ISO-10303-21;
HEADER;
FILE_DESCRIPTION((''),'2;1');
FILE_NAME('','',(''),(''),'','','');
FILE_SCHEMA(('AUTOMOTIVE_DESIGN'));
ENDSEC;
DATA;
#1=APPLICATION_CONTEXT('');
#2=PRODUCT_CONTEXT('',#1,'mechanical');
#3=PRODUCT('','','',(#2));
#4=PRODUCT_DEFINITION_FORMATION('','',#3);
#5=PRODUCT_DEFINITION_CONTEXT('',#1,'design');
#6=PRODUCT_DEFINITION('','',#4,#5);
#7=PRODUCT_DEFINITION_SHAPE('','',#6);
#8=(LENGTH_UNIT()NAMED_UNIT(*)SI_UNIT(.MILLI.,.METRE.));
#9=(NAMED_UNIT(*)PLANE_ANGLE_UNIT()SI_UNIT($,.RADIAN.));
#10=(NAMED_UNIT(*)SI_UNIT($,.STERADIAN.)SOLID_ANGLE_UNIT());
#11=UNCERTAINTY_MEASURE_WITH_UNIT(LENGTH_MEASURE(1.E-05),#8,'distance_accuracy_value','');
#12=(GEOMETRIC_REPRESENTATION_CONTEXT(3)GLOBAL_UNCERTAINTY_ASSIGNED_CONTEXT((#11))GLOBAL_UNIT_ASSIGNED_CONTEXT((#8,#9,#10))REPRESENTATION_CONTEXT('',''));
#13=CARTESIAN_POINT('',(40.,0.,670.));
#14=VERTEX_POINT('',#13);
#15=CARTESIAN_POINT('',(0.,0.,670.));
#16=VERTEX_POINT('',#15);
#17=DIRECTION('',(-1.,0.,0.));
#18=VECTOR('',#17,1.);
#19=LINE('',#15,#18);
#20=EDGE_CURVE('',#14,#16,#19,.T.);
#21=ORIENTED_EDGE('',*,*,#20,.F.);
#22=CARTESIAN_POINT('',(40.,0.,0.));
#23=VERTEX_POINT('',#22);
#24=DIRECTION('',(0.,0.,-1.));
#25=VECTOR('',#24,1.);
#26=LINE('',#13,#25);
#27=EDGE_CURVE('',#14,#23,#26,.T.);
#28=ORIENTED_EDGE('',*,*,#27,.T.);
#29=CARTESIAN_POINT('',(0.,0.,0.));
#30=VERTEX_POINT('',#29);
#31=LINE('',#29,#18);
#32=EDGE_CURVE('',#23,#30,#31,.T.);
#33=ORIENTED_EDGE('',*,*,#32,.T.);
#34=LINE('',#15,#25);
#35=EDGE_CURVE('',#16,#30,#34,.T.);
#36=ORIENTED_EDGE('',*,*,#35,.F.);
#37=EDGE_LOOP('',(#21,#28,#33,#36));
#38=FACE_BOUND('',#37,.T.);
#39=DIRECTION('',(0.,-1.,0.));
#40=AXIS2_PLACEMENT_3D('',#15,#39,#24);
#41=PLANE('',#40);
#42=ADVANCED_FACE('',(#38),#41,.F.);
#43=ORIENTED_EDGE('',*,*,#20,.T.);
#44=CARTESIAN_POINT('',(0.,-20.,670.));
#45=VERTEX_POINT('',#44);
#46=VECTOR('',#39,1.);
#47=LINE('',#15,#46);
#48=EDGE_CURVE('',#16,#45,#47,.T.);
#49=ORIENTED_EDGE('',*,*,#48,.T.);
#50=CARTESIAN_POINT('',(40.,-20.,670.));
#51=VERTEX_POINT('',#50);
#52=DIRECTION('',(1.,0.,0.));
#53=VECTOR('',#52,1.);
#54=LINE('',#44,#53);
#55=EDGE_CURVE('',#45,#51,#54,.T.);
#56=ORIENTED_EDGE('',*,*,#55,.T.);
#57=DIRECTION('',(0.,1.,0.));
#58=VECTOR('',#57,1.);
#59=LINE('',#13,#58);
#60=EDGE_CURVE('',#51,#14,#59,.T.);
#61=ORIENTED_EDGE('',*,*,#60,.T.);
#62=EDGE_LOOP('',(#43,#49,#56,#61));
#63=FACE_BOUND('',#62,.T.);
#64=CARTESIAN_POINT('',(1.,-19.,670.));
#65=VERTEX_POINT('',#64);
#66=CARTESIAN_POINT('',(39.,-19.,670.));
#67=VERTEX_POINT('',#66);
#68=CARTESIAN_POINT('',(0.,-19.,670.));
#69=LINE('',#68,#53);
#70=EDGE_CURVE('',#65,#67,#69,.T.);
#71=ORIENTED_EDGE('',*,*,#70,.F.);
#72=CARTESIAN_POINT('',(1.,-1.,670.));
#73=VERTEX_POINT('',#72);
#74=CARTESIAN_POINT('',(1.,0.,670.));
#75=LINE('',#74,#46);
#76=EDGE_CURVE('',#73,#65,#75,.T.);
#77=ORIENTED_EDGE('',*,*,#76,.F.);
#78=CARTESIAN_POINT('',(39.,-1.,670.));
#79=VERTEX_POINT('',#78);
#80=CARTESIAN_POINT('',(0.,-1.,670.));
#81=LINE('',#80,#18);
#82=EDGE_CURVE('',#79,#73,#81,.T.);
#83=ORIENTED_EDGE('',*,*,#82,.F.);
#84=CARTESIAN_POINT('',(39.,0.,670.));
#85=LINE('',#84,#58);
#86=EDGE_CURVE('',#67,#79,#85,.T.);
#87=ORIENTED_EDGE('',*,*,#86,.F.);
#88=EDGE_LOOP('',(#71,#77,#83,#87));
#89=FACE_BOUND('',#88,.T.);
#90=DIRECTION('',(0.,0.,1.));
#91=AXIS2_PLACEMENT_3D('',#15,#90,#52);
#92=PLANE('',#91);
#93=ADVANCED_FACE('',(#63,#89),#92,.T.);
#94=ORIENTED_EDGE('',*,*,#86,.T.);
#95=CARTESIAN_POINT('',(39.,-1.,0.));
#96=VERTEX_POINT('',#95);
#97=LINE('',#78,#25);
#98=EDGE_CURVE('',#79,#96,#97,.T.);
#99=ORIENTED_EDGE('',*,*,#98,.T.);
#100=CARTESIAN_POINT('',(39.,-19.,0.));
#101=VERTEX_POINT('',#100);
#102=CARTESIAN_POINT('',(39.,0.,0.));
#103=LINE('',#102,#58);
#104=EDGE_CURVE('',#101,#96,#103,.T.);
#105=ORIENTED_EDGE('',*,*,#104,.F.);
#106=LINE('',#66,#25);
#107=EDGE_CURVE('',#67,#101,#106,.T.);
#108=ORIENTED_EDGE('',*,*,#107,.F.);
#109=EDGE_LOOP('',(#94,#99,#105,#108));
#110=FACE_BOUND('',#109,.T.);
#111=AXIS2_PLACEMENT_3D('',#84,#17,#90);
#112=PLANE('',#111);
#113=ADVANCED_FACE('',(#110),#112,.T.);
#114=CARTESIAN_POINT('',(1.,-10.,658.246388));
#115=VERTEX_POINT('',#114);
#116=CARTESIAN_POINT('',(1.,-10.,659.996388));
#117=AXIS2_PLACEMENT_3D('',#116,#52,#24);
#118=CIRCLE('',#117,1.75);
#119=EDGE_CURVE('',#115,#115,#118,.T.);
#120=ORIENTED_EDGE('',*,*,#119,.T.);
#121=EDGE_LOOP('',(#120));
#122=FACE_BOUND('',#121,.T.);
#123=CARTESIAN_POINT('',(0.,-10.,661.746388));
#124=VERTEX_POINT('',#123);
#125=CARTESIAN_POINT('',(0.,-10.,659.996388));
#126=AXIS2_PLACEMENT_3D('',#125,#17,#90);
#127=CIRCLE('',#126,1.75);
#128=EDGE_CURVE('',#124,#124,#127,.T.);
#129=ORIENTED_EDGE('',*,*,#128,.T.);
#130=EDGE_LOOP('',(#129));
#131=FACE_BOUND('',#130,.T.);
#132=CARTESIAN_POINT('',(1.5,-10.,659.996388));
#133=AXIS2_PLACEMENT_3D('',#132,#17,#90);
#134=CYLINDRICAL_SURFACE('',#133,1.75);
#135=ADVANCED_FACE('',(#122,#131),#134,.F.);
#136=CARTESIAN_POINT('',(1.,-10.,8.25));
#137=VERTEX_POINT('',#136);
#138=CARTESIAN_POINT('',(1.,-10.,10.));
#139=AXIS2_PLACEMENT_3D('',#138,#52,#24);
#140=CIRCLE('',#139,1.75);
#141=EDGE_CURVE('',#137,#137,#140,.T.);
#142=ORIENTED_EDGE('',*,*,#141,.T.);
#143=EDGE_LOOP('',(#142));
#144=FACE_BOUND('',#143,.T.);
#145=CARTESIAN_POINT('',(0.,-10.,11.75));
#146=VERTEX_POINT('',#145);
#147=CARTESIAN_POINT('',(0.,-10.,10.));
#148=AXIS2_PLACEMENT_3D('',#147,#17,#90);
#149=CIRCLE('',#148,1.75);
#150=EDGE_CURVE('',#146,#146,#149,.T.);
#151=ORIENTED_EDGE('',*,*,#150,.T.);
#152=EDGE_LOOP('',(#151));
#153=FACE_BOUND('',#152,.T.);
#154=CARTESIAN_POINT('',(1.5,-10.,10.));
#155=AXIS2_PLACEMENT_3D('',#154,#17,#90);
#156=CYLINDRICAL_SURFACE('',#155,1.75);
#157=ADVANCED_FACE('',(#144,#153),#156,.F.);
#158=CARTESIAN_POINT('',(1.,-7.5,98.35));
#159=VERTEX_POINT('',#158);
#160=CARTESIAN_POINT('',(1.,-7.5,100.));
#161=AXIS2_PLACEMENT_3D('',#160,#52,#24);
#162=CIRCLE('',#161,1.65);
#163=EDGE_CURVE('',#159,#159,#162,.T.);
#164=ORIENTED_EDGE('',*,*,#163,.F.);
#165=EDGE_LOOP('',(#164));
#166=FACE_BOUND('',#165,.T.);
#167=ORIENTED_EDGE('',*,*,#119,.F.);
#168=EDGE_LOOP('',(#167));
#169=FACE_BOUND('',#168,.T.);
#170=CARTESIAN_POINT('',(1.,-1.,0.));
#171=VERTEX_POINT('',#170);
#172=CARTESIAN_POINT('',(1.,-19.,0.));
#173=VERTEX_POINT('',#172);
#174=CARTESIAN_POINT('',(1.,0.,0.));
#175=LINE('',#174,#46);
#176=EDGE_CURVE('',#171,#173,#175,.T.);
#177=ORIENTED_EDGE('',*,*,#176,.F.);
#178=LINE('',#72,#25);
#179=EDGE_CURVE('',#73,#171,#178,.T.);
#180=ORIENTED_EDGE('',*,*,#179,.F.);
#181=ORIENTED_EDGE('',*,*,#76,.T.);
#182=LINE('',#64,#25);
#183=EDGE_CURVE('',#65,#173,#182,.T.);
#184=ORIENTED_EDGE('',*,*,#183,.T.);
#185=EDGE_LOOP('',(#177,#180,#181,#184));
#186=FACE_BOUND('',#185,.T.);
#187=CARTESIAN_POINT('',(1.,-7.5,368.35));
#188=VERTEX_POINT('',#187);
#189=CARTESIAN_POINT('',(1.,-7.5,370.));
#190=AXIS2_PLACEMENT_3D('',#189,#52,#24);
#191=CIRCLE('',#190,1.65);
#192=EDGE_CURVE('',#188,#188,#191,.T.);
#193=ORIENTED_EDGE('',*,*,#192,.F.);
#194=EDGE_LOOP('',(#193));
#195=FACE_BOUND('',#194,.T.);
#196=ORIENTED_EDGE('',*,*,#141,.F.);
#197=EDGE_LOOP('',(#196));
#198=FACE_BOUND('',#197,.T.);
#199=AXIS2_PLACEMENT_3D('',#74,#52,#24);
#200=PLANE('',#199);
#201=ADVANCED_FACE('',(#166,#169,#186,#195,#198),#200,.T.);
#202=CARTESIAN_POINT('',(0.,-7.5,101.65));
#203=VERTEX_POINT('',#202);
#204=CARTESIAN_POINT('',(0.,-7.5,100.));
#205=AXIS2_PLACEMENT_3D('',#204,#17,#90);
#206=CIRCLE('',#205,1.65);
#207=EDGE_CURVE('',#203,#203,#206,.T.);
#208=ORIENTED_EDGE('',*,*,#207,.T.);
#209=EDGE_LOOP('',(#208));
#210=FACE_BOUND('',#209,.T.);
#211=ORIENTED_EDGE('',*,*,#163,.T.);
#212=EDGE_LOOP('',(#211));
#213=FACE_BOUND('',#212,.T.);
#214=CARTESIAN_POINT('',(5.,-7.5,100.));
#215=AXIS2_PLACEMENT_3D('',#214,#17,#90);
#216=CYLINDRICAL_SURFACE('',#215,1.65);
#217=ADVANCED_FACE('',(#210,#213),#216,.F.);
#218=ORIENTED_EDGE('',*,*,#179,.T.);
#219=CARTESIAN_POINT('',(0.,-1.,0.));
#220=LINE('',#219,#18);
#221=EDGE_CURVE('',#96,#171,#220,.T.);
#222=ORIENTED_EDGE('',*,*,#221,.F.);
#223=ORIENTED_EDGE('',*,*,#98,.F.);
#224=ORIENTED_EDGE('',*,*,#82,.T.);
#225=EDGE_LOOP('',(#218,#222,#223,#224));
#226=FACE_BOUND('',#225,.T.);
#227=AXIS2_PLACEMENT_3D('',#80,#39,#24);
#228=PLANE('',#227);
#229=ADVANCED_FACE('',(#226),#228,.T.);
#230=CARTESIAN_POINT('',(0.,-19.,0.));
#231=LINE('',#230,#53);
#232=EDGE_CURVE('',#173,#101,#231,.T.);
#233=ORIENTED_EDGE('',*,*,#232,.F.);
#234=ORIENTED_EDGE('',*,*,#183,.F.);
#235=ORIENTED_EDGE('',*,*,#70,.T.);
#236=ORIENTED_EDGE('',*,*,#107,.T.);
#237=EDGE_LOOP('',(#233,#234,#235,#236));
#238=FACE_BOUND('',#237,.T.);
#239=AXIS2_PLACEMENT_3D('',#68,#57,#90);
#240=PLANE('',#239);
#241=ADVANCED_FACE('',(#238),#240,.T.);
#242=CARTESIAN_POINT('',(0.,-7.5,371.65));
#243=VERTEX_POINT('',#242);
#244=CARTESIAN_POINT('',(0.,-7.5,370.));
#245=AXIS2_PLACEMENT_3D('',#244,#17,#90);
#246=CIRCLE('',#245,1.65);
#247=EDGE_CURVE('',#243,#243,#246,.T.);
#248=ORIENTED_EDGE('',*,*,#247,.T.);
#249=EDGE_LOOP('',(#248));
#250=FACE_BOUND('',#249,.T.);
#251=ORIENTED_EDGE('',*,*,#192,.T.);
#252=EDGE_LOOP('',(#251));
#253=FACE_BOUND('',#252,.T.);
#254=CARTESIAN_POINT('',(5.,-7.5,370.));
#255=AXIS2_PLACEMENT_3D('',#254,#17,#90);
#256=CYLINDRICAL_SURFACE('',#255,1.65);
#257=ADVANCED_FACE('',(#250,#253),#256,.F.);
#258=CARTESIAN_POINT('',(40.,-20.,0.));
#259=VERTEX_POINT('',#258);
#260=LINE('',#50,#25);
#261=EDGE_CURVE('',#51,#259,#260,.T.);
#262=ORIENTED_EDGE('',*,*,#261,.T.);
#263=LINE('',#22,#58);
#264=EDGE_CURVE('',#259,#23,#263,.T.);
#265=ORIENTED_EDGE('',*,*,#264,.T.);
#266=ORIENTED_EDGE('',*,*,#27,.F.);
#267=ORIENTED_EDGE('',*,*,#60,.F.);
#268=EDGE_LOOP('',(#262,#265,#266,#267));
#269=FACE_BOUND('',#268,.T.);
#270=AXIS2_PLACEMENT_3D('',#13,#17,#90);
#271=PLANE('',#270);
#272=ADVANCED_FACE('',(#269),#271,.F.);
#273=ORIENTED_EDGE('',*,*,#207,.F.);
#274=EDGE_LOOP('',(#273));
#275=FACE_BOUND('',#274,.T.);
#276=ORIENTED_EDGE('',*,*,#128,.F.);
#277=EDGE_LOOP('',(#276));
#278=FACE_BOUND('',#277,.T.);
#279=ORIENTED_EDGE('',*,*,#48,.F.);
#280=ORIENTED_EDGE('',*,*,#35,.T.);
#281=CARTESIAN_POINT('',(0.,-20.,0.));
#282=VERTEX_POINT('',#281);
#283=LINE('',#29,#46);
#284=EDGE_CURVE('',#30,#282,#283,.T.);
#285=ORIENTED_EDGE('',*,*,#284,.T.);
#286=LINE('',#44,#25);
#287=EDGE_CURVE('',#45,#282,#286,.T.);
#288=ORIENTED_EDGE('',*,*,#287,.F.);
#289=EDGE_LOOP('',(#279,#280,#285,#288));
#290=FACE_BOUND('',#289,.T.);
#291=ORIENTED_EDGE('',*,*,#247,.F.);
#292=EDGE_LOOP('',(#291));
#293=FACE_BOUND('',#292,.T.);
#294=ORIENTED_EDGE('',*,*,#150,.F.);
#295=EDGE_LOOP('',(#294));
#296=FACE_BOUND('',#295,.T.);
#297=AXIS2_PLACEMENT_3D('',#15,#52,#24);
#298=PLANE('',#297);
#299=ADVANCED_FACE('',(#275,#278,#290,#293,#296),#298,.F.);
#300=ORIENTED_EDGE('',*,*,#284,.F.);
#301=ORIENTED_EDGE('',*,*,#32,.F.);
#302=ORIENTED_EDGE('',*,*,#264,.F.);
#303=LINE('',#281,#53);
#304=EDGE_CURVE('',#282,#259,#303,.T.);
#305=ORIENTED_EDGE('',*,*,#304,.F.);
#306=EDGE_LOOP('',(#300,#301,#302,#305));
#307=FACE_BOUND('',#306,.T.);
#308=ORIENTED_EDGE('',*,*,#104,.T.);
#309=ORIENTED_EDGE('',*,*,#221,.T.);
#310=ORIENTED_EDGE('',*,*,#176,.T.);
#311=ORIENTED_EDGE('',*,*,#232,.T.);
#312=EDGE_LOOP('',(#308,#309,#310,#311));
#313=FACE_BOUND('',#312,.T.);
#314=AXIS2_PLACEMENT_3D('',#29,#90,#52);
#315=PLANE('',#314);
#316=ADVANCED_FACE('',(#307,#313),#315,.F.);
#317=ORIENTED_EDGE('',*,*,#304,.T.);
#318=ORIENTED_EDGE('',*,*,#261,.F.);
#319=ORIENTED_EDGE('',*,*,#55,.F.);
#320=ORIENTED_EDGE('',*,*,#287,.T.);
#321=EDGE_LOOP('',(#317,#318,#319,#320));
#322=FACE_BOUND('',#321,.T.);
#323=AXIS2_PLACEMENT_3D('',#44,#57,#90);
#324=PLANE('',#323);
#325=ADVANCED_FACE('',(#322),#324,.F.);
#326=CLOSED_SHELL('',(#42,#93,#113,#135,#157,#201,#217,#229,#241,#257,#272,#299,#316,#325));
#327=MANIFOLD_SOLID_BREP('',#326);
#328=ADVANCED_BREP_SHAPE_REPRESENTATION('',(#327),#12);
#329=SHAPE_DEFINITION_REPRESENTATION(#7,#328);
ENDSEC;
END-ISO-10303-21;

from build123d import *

# Parameters (mm, degrees)
SKETCH_1_W          = 40
SKETCH_1_H          = 20
SKETCH_1_W_2        = 38
SKETCH_1_H_2        = 18
EXTRUDE_1_DEPTH     = 670
SKETCH_4_R          = 1.75
CUT_EXTRUDE_2_DEPTH = 1.5
SKETCH_8_R          = 1.65
CUT_EXTRUDE_3_DEPTH = 5


with BuildPart() as part:
    # 草图1 → 拉伸-薄壁1 (new body)
    with BuildSketch(Plane.XY):
        with Locations((20, -10)):
            Rectangle(SKETCH_1_W, SKETCH_1_H)
        with Locations((20, -10)):
            Rectangle(SKETCH_1_W_2, SKETCH_1_H_2, mode=Mode.SUBTRACT)
    extrude(amount=EXTRUDE_1_DEPTH)

    # 草图4 → 切除-拉伸2 (cut)
    with BuildSketch(Plane.ZY):
        with Locations((659.996387591, -10)):
            Circle(SKETCH_4_R)
        with Locations((10, -10.000000002)):
            Circle(SKETCH_4_R)
    extrude(amount=-CUT_EXTRUDE_2_DEPTH, mode=Mode.SUBTRACT)

    # 草图8 → 切除-拉伸3 (cut)
    with BuildSketch(Plane.ZY):
        with Locations((100, -7.5)):
            Circle(SKETCH_8_R)
        with Locations((370, -7.5)):
            Circle(SKETCH_8_R)
    extrude(amount=-CUT_EXTRUDE_3_DEPTH, mode=Mode.SUBTRACT)


solid = part.part
